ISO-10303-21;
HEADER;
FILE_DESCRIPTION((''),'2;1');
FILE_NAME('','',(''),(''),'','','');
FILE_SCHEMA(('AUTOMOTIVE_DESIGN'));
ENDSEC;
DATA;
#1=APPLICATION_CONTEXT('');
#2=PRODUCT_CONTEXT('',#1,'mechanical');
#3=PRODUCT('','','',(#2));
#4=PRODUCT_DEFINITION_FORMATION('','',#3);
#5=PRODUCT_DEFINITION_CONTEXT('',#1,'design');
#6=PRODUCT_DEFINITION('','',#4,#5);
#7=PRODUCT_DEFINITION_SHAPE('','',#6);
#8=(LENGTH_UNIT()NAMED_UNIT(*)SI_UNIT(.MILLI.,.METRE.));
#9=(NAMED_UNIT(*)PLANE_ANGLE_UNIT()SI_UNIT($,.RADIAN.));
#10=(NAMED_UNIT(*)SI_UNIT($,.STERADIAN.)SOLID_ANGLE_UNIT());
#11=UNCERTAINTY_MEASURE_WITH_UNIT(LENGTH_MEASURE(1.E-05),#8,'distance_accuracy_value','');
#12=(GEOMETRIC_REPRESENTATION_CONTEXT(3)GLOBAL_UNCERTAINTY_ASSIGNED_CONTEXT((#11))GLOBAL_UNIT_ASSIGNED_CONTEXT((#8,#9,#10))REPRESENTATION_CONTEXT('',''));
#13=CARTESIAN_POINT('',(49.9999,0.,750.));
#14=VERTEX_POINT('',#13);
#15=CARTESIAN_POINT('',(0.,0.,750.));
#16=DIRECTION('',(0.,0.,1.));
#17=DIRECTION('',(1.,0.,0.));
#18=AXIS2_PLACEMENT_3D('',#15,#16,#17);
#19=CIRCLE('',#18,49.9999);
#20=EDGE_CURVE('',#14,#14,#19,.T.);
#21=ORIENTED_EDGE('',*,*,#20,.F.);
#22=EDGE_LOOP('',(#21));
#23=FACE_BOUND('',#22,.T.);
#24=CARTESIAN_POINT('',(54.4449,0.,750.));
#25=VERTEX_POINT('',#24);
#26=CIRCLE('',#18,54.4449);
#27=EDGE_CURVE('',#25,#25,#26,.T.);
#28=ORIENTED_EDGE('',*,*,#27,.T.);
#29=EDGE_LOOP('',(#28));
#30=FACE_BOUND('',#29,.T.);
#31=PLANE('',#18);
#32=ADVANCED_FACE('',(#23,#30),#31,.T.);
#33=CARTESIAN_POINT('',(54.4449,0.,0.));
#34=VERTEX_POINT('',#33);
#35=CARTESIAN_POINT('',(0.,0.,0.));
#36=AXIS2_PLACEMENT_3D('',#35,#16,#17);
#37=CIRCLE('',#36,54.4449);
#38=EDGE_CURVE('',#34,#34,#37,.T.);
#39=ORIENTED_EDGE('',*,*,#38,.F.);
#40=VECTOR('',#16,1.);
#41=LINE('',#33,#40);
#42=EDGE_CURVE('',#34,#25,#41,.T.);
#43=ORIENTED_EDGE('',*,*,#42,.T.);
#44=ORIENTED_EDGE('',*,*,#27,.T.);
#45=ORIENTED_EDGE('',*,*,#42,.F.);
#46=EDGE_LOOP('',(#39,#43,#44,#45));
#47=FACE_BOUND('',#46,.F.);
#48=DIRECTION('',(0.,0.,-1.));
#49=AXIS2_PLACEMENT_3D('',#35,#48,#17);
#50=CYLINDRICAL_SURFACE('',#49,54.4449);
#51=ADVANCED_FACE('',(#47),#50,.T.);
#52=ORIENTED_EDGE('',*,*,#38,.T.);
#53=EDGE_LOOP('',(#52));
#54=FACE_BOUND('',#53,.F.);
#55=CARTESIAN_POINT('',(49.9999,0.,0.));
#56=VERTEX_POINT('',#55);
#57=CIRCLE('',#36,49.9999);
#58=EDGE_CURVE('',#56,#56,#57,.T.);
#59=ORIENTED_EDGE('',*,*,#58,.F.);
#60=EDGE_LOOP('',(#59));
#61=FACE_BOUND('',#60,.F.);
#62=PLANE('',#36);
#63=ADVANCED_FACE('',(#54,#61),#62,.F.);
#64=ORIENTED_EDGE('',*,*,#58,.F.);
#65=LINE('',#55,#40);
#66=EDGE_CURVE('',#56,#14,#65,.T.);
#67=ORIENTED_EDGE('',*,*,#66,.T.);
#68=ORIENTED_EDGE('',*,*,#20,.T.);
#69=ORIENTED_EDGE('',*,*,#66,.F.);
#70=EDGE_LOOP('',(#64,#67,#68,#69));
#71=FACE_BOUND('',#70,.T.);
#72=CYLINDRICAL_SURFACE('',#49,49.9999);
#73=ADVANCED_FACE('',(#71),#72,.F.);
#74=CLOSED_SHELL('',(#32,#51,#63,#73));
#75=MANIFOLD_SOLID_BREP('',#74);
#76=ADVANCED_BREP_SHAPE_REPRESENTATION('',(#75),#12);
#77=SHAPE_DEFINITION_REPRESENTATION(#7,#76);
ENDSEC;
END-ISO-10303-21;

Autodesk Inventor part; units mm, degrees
ref_plane "YZ Plane" through (0, 0, 0) normal (1, 0, 0) x (0, 1, 0)
ref_plane "XZ Plane" through (0, 0, 0) normal (0, 1, 0) x (-1, 0, 0)
ref_plane "XY Plane" through (0, 0, 0) normal (0, 0, 1) x (1, 0, 0)
sketch "Sketch1" plane through (0, 0, 0) normal (0, 0, 1) x (1, 0, 0)
  circle A0 centre (0, 0) radius 49.9999
  circle A1 centre (0, 0) radius 54.4449
  dimension "d0" = 99.9998
  dimension "d1" = 4.445
extrude "Extrusion1" add sketch "Sketch1" along normal blind 750
properties part number "pipe1.5m"
